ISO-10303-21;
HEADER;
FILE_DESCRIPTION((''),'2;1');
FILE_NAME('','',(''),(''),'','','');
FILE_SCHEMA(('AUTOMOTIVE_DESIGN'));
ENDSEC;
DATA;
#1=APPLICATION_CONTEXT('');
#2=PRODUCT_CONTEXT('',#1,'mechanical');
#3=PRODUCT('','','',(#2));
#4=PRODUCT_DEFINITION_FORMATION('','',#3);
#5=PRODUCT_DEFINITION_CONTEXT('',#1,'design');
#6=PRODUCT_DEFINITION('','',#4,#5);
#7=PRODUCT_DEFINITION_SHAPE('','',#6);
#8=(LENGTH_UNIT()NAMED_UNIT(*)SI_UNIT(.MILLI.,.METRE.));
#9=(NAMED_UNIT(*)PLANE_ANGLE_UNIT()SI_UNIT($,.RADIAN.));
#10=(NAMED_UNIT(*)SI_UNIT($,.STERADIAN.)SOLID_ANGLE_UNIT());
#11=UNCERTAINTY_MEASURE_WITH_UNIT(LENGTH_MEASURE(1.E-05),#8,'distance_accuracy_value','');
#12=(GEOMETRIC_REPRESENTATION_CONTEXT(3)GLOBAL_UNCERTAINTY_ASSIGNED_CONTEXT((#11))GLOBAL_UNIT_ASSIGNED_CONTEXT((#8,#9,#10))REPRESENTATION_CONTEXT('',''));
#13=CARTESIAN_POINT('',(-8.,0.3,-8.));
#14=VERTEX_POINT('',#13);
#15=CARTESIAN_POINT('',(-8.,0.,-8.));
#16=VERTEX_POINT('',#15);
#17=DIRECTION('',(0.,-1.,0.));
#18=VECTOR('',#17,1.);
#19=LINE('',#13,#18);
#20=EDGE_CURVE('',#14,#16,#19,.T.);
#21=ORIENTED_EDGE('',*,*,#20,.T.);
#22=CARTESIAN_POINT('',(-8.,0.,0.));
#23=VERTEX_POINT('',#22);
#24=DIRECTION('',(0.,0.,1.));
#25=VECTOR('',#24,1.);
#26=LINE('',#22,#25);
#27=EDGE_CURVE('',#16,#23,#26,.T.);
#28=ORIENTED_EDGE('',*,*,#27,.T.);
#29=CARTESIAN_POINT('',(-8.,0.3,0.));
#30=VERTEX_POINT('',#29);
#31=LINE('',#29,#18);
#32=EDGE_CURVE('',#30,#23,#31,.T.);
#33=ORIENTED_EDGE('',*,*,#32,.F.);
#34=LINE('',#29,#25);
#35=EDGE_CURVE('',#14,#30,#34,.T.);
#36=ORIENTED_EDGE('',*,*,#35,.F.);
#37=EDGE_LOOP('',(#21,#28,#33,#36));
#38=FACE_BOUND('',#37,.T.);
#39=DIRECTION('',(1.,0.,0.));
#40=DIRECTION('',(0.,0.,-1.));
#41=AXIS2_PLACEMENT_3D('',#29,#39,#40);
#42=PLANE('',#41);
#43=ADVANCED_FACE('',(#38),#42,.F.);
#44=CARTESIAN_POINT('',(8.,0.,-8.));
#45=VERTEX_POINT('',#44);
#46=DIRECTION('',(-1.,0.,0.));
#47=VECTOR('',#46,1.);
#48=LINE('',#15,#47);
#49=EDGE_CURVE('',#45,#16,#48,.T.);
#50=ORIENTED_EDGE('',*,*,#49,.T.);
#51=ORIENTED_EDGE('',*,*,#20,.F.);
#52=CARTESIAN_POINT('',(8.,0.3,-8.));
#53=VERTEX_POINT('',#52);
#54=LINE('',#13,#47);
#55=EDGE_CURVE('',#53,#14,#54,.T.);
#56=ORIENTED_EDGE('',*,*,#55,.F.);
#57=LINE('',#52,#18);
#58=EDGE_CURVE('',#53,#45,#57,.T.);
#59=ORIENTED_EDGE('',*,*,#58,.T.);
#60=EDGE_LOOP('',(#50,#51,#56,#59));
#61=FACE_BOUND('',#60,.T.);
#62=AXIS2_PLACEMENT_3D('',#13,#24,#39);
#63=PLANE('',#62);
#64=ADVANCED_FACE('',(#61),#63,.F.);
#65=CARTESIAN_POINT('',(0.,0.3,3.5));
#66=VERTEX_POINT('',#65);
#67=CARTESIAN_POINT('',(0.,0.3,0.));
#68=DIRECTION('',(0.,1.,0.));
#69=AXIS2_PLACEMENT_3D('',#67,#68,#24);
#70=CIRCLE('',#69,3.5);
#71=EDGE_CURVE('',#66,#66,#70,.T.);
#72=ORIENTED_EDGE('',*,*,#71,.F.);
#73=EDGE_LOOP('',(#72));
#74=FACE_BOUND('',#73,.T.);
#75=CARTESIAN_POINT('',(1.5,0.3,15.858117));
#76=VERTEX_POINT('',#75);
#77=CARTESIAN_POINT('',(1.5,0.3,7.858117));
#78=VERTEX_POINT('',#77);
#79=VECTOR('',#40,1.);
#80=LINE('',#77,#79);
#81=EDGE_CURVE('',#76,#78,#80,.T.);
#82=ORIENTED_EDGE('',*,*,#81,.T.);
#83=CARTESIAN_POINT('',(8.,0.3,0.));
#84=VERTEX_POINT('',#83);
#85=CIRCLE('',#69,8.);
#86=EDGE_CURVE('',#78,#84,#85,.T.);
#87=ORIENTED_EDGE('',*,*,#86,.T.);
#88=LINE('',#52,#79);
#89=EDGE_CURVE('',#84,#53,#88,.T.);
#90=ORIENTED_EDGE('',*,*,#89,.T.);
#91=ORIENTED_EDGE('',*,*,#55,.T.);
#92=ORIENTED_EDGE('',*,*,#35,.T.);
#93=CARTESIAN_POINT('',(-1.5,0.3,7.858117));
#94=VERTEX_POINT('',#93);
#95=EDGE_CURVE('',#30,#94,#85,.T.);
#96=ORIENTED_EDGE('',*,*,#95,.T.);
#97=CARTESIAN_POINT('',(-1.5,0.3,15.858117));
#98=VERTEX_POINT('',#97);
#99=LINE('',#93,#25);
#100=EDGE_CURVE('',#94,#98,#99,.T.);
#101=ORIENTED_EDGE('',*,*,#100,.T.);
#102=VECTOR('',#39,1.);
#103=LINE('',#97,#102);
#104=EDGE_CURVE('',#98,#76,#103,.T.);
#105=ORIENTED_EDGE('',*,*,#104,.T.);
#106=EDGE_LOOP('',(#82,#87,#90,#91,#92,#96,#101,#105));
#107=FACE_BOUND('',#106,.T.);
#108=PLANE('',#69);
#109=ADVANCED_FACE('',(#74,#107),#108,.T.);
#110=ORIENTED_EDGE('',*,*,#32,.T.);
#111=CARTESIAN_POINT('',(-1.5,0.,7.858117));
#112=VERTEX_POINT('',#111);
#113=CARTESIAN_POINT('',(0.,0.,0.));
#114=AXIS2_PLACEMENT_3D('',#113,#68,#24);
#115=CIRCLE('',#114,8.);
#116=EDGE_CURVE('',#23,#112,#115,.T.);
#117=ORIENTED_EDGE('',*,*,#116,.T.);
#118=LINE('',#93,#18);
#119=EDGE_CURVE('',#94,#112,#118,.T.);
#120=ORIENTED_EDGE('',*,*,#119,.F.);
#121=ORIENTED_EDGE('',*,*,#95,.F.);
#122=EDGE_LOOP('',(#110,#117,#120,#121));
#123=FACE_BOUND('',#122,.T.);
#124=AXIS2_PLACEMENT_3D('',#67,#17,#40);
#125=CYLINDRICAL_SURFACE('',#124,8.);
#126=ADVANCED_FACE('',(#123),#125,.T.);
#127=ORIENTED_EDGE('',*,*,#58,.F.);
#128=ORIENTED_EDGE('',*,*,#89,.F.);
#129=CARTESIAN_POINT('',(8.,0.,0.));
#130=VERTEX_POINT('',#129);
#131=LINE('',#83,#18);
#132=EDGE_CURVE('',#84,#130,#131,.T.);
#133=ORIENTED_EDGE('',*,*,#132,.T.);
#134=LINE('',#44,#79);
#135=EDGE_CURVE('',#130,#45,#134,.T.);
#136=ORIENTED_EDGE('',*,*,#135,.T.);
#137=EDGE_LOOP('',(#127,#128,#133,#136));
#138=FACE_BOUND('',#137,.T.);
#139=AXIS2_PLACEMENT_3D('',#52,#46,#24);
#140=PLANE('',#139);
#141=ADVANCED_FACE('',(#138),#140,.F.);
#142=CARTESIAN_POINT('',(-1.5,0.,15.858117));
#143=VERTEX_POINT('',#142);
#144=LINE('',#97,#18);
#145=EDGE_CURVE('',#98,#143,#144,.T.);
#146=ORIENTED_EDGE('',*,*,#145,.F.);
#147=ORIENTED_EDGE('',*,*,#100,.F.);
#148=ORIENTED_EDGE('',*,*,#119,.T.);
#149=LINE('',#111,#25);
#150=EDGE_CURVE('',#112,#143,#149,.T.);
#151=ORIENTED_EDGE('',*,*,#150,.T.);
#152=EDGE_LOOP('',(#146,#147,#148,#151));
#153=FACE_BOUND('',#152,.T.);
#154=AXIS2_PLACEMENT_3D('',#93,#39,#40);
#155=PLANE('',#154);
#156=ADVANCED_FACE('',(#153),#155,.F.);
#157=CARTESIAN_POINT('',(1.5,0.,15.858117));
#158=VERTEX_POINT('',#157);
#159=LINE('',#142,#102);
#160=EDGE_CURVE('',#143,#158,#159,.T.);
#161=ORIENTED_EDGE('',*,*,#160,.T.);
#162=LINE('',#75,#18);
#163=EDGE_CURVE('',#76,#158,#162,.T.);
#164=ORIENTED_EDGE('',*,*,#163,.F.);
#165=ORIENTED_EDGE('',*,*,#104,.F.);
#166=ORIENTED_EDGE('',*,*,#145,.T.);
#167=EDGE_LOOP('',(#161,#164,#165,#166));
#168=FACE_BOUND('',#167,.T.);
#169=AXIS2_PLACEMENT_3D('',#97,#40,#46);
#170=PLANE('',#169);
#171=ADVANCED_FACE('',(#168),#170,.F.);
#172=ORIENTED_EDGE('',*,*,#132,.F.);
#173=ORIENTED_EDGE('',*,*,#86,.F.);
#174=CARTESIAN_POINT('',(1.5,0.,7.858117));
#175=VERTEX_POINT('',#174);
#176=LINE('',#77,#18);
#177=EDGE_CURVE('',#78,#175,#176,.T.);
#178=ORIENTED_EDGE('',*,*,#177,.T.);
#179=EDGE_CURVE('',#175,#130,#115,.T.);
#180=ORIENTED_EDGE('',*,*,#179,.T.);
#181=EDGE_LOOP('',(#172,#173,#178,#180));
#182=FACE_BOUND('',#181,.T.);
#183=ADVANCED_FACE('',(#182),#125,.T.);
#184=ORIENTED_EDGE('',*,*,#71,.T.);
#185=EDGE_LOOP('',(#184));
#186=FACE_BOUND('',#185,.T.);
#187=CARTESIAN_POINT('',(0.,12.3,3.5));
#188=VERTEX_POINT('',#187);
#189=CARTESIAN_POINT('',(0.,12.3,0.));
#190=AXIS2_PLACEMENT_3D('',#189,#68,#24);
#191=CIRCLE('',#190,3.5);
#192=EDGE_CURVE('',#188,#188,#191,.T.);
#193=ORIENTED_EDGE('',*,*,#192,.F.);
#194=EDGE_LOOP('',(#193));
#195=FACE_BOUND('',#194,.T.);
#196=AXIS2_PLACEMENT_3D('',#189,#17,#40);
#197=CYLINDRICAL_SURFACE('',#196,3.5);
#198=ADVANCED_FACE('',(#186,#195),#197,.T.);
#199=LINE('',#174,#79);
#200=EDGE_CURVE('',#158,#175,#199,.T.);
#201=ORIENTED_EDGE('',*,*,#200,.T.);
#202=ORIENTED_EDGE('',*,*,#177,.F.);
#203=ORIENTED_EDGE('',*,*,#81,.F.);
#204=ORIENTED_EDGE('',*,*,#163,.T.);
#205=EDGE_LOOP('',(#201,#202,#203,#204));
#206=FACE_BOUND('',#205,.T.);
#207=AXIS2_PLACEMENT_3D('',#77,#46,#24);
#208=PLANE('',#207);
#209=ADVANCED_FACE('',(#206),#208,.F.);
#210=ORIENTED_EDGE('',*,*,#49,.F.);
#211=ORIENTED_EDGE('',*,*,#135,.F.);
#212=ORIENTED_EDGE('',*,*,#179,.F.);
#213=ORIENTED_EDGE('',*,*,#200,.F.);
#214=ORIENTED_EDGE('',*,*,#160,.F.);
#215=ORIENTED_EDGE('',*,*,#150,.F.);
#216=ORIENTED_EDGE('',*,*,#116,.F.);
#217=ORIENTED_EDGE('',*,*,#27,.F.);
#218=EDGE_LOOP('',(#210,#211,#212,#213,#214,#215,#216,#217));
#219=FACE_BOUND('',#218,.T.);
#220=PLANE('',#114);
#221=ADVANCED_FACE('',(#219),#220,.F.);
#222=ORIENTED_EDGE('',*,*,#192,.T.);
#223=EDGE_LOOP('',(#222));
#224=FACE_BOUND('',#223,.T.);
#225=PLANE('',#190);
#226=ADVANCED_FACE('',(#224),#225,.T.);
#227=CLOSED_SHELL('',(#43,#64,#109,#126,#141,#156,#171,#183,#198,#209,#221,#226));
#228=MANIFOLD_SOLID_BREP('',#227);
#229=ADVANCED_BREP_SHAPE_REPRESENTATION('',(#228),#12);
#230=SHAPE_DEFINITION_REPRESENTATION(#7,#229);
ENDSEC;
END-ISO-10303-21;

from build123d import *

# Parameters (mm, degrees)
EXTRUDE_1_DEPTH = 0.3
SKETCH_2_R      = 3.5
EXTRUDE_2_DEPTH = 12


with BuildPart() as part:
    # 草图1 → 凸台-拉伸1 (new body)
    with BuildSketch(Plane(origin=(0, 0, 0), x_dir=(1, 0, 0), z_dir=(0, 1, 0))):
        with BuildLine():
            Line((-8, 0), (-8, 8))
            Line((-8, 8), (8, 8))
            Line((8, 8), (8, 0))
            ThreePointArc((8, 0), (6.164414003, -5.099019514), (1.5, -7.858116823))
            Line((1.5, -7.858116823), (1.5, -15.858116823))
            Line((1.5, -15.858116823), (-1.5, -15.858116823))
            Line((-1.5, -15.858116823), (-1.5, -7.858116823))
            ThreePointArc((-1.5, -7.858116823), (-6.164414003, -5.099019514), (-8, 0))
        make_face()
    extrude(amount=EXTRUDE_1_DEPTH)

    # 草图2 → 凸台-拉伸2 (add)
    with BuildSketch(Plane(origin=(0, 0.3, 0), x_dir=(1, 0, 0), z_dir=(0, 1, 0))):
        with Locations(Location((0, 0, 0), (0, 0, 270))):
            Circle(SKETCH_2_R)
    extrude(amount=EXTRUDE_2_DEPTH)


solid = part.part
